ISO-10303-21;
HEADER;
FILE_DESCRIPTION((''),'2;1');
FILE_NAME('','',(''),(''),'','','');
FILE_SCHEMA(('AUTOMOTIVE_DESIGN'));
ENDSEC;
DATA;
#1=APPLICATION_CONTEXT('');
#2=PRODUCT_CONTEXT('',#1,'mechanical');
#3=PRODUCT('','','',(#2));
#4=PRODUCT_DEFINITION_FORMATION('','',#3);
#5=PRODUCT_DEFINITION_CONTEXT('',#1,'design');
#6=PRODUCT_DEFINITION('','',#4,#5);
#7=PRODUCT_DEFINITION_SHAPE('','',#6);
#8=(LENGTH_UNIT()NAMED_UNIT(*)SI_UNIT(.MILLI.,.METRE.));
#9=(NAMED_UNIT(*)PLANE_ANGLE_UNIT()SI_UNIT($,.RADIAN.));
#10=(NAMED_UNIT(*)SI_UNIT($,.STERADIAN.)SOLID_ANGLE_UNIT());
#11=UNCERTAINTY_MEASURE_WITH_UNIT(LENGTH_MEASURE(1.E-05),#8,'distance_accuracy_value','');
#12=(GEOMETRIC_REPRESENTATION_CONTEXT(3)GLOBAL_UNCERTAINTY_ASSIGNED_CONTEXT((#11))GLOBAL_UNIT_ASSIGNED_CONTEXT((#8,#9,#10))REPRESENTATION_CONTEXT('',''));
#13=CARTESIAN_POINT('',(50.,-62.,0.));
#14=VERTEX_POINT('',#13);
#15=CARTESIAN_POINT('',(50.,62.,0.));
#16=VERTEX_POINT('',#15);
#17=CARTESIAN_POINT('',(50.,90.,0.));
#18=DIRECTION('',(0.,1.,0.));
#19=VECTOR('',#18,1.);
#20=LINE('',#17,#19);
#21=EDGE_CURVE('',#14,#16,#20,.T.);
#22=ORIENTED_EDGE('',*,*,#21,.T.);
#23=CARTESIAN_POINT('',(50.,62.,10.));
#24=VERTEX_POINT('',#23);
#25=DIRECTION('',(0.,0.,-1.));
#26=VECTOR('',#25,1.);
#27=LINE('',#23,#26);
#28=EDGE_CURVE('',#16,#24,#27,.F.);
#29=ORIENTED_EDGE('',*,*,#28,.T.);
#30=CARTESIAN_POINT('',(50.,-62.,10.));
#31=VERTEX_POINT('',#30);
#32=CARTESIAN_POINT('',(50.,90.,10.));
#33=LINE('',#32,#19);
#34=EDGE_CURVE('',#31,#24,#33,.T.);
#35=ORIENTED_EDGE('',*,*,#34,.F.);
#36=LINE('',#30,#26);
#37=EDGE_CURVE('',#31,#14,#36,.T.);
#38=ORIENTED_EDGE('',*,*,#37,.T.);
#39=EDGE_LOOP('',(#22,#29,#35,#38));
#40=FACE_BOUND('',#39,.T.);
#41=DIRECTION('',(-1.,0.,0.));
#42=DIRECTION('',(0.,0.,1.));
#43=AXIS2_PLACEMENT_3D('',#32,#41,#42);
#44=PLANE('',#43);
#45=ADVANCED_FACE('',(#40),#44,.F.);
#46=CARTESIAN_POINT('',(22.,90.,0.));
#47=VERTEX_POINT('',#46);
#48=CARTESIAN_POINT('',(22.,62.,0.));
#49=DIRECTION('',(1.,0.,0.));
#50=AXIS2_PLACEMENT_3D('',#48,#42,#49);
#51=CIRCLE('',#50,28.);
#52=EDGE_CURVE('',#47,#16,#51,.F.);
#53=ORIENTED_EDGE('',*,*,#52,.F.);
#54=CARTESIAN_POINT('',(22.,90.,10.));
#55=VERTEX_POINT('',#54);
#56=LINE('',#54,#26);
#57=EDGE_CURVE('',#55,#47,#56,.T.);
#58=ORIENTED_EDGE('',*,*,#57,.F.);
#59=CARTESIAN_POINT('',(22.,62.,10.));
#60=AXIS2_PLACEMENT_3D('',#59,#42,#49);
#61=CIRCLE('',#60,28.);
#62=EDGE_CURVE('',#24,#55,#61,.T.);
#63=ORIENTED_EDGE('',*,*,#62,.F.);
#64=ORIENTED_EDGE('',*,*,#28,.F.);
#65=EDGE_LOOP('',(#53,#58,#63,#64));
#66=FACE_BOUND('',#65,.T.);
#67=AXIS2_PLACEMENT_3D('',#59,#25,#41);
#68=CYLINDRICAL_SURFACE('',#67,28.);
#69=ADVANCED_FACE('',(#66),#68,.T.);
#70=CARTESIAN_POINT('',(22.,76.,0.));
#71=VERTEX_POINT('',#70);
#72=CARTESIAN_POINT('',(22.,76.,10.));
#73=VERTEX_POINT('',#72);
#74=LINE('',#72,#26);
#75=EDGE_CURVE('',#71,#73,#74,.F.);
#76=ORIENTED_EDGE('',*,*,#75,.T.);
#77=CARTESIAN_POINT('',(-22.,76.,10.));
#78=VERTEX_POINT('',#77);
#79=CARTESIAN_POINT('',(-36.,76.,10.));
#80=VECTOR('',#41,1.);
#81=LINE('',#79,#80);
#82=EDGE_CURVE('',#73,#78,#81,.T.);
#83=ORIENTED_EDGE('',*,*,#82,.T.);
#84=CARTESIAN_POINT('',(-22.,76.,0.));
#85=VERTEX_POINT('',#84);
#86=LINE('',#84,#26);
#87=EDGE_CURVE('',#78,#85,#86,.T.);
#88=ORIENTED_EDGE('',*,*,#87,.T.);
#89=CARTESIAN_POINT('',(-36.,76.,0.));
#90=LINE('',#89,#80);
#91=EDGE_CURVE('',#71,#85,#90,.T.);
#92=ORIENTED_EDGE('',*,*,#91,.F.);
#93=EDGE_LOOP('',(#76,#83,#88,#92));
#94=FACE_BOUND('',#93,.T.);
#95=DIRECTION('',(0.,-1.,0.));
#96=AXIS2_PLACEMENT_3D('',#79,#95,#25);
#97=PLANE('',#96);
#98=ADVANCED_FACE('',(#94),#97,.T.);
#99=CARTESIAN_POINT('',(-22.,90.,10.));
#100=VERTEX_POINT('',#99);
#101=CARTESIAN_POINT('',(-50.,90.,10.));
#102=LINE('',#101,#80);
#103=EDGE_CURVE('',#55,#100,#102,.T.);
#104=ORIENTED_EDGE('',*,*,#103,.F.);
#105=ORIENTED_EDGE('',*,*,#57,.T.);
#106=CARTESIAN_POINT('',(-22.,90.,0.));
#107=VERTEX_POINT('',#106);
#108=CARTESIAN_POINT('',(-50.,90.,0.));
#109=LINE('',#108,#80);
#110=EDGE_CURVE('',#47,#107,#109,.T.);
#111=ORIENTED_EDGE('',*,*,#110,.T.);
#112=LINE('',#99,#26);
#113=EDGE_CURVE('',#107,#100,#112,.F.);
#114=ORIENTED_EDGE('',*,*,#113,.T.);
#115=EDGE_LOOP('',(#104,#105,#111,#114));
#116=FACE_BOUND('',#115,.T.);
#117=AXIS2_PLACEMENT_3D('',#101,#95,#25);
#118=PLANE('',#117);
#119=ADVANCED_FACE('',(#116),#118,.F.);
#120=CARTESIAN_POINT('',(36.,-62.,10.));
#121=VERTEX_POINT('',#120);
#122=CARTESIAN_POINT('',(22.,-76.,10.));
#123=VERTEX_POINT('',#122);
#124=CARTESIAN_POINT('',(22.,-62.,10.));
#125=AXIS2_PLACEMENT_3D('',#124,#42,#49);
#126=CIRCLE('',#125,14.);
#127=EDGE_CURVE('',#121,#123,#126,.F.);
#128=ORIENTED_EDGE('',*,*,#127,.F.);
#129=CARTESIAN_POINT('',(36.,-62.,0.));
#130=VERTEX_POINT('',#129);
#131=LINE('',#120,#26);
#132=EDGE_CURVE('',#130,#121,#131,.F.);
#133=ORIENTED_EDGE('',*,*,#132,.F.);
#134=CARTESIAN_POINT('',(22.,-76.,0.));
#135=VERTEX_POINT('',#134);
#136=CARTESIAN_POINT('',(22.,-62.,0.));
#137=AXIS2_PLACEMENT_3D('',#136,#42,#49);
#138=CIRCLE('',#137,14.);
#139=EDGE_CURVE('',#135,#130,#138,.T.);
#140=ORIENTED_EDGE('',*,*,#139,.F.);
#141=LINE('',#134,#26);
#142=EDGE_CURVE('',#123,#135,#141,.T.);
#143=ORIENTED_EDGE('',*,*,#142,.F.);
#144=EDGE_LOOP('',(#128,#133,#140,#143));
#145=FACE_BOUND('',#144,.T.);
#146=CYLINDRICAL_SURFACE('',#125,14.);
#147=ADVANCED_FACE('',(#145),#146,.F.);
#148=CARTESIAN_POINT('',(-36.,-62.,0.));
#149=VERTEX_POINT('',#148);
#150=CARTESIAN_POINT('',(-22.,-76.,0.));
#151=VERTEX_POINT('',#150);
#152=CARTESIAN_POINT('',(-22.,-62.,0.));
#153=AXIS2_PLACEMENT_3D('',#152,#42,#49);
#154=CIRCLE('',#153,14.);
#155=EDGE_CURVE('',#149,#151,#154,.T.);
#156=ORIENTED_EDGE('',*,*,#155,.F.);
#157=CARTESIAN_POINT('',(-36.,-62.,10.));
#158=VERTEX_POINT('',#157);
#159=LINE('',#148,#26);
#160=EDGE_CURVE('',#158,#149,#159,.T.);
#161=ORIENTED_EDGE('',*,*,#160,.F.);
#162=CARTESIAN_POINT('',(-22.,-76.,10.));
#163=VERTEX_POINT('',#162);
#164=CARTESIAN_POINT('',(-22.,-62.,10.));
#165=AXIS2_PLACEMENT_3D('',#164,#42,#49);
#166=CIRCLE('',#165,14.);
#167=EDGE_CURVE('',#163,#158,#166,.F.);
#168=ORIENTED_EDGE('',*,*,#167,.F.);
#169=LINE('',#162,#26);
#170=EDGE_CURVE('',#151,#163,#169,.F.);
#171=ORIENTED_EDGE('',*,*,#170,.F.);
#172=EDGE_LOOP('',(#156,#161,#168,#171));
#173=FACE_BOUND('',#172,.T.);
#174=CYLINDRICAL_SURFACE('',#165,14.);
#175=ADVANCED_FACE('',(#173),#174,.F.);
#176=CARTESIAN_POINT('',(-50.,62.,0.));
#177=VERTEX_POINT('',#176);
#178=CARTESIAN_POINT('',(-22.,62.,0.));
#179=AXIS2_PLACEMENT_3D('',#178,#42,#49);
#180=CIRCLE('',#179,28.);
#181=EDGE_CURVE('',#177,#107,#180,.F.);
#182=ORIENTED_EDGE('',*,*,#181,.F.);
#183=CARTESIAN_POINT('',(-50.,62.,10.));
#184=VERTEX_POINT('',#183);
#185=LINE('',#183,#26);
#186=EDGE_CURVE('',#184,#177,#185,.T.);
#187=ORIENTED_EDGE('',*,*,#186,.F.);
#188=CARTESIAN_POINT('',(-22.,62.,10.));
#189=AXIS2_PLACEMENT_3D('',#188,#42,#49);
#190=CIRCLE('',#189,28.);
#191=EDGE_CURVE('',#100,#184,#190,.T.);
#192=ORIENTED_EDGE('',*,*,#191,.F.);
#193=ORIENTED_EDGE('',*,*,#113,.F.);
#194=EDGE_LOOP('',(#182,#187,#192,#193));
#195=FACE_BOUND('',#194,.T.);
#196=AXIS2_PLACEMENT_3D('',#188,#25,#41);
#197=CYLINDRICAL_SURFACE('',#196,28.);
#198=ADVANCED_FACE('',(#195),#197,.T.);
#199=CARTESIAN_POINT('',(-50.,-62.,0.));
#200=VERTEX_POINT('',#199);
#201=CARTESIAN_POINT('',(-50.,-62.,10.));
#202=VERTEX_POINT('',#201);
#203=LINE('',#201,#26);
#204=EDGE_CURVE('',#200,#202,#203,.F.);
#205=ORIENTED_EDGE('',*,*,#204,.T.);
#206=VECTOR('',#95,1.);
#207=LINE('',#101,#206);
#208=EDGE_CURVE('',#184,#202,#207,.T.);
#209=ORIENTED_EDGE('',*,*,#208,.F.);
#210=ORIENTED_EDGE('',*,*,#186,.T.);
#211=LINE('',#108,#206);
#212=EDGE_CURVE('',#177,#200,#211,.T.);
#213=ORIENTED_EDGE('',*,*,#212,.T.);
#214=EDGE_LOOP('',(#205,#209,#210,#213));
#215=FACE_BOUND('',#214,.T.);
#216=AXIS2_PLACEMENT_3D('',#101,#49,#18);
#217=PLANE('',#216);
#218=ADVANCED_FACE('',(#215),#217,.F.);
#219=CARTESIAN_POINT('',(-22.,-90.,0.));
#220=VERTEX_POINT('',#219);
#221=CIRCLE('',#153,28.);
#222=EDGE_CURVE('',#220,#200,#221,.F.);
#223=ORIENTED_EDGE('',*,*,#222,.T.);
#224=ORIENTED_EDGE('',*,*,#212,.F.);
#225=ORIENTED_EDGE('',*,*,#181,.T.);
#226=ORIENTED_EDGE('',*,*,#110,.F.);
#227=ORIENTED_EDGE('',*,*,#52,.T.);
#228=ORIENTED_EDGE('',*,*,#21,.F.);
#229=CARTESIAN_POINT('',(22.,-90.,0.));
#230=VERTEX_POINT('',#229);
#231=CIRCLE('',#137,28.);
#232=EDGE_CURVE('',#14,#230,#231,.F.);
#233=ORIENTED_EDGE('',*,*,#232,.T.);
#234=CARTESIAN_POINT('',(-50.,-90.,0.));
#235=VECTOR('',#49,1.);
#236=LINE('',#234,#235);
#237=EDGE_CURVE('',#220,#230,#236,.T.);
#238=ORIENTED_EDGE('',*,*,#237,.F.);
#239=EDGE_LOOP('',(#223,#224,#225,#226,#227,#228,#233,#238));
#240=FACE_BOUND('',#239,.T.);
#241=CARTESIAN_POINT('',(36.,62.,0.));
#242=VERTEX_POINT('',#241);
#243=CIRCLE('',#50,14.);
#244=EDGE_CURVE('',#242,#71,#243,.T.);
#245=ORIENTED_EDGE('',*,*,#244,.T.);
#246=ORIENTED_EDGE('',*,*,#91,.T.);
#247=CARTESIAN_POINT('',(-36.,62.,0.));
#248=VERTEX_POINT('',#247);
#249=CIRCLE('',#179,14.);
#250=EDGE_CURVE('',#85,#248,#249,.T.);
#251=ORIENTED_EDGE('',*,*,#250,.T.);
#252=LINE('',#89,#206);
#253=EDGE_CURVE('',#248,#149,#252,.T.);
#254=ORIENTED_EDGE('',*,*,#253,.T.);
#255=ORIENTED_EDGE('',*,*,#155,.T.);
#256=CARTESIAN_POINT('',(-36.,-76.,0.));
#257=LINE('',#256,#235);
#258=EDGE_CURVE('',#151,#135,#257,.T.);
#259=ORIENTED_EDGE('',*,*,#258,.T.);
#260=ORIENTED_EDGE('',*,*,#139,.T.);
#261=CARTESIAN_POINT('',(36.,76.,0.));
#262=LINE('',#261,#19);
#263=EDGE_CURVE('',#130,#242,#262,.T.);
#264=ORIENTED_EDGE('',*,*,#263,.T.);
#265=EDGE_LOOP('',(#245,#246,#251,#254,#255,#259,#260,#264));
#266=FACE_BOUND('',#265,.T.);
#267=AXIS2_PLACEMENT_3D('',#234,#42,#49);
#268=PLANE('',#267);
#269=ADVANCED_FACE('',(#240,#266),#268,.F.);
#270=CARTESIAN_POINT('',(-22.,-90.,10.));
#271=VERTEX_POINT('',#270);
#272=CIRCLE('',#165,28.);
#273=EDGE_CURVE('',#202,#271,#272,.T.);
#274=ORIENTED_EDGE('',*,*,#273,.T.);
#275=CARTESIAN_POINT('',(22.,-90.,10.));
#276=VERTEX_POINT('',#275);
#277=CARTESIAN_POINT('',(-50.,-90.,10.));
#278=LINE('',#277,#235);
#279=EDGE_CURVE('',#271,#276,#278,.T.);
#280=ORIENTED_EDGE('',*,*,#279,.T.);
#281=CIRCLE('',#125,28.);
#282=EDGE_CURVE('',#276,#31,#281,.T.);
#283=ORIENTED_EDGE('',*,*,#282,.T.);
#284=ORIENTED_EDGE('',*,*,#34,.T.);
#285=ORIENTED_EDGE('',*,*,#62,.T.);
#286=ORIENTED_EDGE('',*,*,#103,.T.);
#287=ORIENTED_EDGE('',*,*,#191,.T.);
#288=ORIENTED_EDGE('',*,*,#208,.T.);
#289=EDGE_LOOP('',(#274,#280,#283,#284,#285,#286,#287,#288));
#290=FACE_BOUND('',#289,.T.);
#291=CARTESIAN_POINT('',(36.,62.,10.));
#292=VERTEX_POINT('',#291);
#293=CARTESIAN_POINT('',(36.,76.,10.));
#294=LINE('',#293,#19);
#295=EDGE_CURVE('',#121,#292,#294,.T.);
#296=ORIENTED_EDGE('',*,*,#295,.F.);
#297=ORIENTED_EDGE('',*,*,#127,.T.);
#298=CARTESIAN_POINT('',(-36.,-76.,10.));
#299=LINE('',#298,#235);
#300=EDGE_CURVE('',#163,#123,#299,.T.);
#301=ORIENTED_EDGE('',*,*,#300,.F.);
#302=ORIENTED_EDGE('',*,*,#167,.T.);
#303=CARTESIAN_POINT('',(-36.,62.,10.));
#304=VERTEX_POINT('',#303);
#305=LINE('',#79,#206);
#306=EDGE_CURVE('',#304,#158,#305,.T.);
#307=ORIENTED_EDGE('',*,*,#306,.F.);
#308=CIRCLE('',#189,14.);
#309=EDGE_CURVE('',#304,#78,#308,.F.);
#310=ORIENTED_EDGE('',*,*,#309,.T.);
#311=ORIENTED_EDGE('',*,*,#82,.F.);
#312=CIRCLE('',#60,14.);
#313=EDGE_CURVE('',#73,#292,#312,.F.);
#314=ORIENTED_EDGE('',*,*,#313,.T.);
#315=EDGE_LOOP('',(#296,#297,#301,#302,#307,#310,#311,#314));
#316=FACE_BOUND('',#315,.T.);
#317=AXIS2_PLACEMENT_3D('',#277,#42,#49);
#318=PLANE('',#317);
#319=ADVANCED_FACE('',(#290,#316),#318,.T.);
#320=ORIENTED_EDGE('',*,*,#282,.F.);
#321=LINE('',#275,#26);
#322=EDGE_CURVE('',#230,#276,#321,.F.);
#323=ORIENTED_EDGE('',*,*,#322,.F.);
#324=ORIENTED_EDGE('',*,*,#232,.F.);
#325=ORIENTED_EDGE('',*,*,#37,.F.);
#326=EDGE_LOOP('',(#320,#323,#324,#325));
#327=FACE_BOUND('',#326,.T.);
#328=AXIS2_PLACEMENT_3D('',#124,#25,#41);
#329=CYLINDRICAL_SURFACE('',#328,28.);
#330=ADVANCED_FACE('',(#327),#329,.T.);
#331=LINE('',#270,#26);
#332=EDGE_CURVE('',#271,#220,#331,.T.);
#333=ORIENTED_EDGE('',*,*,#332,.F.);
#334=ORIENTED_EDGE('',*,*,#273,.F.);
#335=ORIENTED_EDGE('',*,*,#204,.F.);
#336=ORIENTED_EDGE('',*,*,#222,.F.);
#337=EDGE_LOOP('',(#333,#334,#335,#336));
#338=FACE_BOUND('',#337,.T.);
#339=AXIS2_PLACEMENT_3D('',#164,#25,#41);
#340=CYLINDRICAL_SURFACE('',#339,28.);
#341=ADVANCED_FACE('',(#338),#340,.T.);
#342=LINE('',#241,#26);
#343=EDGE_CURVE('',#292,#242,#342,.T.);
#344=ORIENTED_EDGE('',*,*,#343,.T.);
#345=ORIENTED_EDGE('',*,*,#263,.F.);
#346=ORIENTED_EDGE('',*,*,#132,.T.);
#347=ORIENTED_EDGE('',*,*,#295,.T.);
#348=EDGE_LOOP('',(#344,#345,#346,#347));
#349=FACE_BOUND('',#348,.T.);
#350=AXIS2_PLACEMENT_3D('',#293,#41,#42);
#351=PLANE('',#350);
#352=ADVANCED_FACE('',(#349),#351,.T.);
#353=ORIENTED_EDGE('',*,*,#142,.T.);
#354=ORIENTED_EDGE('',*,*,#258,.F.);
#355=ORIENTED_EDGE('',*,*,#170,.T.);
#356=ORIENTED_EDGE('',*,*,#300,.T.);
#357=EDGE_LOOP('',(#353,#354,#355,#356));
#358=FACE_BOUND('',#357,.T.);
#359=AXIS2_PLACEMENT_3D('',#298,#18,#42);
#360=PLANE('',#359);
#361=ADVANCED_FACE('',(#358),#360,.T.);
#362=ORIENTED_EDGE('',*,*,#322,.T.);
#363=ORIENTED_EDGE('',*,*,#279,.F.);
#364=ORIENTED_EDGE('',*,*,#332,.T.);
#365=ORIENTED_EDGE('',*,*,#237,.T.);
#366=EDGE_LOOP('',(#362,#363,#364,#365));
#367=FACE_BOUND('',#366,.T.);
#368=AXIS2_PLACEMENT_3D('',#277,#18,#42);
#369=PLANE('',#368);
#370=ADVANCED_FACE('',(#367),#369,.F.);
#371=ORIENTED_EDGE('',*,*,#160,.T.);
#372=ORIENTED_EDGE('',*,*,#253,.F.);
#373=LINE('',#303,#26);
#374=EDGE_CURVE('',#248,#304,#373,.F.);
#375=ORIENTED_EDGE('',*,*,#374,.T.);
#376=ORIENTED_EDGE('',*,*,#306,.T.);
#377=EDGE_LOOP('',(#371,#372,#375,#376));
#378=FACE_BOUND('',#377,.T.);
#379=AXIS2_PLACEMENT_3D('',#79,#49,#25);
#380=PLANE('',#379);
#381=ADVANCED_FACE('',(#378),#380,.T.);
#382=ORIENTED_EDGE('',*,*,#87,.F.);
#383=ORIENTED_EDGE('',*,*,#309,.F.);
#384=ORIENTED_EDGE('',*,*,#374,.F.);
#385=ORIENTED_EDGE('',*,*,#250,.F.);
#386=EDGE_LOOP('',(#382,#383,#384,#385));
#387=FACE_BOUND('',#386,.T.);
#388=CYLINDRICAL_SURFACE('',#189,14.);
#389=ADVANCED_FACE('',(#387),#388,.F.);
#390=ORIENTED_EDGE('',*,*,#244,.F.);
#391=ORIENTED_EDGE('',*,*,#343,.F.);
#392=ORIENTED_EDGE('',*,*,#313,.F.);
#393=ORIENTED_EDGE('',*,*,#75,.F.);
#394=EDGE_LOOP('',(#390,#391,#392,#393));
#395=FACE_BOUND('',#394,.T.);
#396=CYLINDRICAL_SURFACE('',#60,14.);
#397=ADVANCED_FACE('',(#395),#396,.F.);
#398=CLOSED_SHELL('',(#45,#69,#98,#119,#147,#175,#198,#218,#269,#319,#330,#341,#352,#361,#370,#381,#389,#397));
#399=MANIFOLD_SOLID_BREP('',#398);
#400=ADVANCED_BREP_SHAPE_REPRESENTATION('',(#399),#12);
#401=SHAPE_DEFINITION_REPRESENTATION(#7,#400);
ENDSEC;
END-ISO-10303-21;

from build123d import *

# Parameters (mm, degrees)
SKETCH_1_W      = 100
SKETCH_1_H      = 180
SKETCH_1_W_2    = 72
SKETCH_1_H_2    = 152
EXTRUDE_1_DEPTH = 10
FILLET_1_R      = 14
FILLET_2_R      = 28


with BuildPart() as part:
    # 草图1 → 凸台-拉伸1 (new body)
    with BuildSketch(Plane.XY):
        Rectangle(SKETCH_1_W, SKETCH_1_H)
        Rectangle(SKETCH_1_W_2, SKETCH_1_H_2, mode=Mode.SUBTRACT)
    extrude(amount=EXTRUDE_1_DEPTH)

    # 圆角1
    fillet_1_edges = [part.edges().sort_by_distance(p)[0] for p in [
        (-36, 76, 5),
        (-36, -76, 5),
        (36, -76, 5),
        (36, 76, 5),
    ]]
    fillet(fillet_1_edges, radius=FILLET_1_R)

    # 圆角2
    fillet_2_edges = [part.edges().sort_by_distance(p)[0] for p in [
        (-50, 90, 5),
        (50, 90, 5),
        (50, -90, 5),
        (-50, -90, 5),
    ]]
    fillet(fillet_2_edges, radius=FILLET_2_R)


solid = part.part
